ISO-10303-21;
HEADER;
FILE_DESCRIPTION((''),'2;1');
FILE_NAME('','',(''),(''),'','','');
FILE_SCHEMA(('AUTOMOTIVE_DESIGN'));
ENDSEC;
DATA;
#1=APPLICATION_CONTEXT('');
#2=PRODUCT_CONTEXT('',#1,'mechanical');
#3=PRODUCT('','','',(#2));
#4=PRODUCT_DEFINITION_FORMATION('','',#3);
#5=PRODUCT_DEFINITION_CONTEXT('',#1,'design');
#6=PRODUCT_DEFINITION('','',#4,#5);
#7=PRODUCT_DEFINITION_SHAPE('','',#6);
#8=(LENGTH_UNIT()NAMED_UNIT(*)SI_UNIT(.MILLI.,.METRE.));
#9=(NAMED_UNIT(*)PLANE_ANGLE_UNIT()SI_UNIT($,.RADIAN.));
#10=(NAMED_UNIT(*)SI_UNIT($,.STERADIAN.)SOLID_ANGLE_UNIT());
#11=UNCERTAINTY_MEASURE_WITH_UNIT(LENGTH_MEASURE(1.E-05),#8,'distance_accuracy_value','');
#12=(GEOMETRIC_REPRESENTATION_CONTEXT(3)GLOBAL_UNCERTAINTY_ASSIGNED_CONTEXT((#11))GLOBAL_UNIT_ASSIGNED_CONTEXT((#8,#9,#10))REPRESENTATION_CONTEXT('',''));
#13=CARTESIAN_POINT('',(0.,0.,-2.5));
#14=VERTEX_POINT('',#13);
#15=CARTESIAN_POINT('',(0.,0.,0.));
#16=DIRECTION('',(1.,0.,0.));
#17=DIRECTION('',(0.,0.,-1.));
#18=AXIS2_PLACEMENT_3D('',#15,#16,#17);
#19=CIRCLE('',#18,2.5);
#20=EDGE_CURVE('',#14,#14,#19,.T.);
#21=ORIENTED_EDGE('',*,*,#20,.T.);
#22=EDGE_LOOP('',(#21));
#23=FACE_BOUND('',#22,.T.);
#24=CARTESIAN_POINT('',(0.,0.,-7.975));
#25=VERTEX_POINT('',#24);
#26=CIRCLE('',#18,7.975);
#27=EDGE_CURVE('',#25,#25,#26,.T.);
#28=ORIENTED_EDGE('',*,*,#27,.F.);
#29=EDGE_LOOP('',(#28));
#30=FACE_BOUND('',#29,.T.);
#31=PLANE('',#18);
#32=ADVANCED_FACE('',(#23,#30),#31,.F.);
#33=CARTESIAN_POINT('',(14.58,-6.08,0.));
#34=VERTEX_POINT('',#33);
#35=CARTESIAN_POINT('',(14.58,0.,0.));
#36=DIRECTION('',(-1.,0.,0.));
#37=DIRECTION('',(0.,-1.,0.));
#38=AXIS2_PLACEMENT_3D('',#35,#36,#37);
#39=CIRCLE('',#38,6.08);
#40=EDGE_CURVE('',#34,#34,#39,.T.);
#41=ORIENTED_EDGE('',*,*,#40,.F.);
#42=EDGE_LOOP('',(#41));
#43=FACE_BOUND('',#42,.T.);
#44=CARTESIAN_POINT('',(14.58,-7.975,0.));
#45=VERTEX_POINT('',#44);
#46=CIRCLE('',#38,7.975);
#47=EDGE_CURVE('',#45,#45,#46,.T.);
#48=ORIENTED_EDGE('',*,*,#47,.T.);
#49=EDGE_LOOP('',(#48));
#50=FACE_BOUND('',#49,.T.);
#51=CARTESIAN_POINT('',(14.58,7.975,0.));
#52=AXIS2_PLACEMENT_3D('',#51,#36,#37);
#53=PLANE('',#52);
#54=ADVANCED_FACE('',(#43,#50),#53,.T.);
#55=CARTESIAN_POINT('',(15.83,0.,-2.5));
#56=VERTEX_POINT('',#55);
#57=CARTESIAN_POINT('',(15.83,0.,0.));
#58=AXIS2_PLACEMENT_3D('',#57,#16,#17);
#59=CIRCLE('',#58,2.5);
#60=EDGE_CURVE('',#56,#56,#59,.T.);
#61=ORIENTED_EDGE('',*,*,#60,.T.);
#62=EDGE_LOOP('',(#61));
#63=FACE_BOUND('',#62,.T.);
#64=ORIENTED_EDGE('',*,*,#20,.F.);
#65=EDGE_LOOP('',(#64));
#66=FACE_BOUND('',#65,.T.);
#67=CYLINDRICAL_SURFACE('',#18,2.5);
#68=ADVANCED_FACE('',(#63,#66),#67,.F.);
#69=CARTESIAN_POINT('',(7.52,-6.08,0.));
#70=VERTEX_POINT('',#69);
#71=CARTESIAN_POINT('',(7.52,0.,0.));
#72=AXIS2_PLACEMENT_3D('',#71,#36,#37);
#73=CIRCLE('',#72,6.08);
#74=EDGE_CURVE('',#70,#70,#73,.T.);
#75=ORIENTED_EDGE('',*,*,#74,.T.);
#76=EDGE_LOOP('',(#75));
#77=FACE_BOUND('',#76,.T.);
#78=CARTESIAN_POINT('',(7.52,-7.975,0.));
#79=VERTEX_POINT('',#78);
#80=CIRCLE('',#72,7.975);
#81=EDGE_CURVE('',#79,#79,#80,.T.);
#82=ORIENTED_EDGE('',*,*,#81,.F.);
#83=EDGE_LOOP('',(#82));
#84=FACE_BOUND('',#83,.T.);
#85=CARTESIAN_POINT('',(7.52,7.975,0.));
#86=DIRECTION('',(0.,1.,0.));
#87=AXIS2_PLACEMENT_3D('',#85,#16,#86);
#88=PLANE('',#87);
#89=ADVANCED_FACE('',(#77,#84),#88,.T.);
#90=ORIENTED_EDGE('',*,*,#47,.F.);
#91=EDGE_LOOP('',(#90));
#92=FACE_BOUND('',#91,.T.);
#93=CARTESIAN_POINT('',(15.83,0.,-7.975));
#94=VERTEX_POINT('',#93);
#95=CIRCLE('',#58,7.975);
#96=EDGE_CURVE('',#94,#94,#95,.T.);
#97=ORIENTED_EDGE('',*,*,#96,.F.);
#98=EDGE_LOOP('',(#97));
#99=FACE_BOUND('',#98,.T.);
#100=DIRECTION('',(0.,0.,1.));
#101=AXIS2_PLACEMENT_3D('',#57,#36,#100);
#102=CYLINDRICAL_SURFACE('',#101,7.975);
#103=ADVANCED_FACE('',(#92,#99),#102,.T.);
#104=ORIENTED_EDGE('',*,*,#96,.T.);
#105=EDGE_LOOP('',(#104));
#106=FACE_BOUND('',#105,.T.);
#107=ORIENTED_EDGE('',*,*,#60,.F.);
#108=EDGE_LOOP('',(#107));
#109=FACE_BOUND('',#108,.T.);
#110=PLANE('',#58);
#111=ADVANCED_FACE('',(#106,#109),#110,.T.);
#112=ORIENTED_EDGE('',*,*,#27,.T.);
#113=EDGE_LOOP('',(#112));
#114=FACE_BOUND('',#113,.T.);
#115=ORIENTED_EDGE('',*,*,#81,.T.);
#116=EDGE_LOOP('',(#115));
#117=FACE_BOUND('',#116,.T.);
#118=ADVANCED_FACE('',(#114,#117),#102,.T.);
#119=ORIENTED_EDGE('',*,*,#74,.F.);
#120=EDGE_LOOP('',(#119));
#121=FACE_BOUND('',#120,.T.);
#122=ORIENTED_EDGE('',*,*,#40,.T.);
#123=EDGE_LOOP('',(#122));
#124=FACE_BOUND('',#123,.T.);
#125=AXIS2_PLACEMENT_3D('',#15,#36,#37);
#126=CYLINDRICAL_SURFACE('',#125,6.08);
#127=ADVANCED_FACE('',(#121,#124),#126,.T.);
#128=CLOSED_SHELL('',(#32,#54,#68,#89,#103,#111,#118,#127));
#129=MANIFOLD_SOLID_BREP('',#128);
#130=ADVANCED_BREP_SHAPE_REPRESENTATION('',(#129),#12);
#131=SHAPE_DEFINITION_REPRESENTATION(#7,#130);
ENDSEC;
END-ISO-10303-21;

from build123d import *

# Parameters (mm, degrees)
SKETCH1_R           = 7.975
BOSS_EXTRUDE1_DEPTH = 15.83
SKETCH2_W           = 7.06
SKETCH2_H           = 1.895
SKETCH3_R           = 2.5
CUT_EXTRUDE1_DEPTH  = 16.83


with BuildPart() as part:
    # Sketch1 → Boss-Extrude1 (new body)
    with BuildSketch(Plane(origin=(0, 0, 0), x_dir=(0, 0, -1), z_dir=(1, 0, 0))):
        Circle(SKETCH1_R)
    extrude(amount=BOSS_EXTRUDE1_DEPTH)

    # Sketch2 → Cut-Revolve1 (revolve, cut)
    with BuildSketch(Plane.XY):
        with Locations((11.05, 7.0275)):
            Rectangle(SKETCH2_W, SKETCH2_H)
    revolve(axis=Axis((0, 0, 0), (1, 0, 0)), mode=Mode.SUBTRACT)

    # Sketch3 → Cut-Extrude1 (cut, through all)
    with BuildSketch(Plane(origin=(15.83, 0, 0), x_dir=(0, 0, -1), z_dir=(1, 0, 0))):
        Circle(SKETCH3_R)
    extrude(amount=-CUT_EXTRUDE1_DEPTH, mode=Mode.SUBTRACT)


solid = part.part
